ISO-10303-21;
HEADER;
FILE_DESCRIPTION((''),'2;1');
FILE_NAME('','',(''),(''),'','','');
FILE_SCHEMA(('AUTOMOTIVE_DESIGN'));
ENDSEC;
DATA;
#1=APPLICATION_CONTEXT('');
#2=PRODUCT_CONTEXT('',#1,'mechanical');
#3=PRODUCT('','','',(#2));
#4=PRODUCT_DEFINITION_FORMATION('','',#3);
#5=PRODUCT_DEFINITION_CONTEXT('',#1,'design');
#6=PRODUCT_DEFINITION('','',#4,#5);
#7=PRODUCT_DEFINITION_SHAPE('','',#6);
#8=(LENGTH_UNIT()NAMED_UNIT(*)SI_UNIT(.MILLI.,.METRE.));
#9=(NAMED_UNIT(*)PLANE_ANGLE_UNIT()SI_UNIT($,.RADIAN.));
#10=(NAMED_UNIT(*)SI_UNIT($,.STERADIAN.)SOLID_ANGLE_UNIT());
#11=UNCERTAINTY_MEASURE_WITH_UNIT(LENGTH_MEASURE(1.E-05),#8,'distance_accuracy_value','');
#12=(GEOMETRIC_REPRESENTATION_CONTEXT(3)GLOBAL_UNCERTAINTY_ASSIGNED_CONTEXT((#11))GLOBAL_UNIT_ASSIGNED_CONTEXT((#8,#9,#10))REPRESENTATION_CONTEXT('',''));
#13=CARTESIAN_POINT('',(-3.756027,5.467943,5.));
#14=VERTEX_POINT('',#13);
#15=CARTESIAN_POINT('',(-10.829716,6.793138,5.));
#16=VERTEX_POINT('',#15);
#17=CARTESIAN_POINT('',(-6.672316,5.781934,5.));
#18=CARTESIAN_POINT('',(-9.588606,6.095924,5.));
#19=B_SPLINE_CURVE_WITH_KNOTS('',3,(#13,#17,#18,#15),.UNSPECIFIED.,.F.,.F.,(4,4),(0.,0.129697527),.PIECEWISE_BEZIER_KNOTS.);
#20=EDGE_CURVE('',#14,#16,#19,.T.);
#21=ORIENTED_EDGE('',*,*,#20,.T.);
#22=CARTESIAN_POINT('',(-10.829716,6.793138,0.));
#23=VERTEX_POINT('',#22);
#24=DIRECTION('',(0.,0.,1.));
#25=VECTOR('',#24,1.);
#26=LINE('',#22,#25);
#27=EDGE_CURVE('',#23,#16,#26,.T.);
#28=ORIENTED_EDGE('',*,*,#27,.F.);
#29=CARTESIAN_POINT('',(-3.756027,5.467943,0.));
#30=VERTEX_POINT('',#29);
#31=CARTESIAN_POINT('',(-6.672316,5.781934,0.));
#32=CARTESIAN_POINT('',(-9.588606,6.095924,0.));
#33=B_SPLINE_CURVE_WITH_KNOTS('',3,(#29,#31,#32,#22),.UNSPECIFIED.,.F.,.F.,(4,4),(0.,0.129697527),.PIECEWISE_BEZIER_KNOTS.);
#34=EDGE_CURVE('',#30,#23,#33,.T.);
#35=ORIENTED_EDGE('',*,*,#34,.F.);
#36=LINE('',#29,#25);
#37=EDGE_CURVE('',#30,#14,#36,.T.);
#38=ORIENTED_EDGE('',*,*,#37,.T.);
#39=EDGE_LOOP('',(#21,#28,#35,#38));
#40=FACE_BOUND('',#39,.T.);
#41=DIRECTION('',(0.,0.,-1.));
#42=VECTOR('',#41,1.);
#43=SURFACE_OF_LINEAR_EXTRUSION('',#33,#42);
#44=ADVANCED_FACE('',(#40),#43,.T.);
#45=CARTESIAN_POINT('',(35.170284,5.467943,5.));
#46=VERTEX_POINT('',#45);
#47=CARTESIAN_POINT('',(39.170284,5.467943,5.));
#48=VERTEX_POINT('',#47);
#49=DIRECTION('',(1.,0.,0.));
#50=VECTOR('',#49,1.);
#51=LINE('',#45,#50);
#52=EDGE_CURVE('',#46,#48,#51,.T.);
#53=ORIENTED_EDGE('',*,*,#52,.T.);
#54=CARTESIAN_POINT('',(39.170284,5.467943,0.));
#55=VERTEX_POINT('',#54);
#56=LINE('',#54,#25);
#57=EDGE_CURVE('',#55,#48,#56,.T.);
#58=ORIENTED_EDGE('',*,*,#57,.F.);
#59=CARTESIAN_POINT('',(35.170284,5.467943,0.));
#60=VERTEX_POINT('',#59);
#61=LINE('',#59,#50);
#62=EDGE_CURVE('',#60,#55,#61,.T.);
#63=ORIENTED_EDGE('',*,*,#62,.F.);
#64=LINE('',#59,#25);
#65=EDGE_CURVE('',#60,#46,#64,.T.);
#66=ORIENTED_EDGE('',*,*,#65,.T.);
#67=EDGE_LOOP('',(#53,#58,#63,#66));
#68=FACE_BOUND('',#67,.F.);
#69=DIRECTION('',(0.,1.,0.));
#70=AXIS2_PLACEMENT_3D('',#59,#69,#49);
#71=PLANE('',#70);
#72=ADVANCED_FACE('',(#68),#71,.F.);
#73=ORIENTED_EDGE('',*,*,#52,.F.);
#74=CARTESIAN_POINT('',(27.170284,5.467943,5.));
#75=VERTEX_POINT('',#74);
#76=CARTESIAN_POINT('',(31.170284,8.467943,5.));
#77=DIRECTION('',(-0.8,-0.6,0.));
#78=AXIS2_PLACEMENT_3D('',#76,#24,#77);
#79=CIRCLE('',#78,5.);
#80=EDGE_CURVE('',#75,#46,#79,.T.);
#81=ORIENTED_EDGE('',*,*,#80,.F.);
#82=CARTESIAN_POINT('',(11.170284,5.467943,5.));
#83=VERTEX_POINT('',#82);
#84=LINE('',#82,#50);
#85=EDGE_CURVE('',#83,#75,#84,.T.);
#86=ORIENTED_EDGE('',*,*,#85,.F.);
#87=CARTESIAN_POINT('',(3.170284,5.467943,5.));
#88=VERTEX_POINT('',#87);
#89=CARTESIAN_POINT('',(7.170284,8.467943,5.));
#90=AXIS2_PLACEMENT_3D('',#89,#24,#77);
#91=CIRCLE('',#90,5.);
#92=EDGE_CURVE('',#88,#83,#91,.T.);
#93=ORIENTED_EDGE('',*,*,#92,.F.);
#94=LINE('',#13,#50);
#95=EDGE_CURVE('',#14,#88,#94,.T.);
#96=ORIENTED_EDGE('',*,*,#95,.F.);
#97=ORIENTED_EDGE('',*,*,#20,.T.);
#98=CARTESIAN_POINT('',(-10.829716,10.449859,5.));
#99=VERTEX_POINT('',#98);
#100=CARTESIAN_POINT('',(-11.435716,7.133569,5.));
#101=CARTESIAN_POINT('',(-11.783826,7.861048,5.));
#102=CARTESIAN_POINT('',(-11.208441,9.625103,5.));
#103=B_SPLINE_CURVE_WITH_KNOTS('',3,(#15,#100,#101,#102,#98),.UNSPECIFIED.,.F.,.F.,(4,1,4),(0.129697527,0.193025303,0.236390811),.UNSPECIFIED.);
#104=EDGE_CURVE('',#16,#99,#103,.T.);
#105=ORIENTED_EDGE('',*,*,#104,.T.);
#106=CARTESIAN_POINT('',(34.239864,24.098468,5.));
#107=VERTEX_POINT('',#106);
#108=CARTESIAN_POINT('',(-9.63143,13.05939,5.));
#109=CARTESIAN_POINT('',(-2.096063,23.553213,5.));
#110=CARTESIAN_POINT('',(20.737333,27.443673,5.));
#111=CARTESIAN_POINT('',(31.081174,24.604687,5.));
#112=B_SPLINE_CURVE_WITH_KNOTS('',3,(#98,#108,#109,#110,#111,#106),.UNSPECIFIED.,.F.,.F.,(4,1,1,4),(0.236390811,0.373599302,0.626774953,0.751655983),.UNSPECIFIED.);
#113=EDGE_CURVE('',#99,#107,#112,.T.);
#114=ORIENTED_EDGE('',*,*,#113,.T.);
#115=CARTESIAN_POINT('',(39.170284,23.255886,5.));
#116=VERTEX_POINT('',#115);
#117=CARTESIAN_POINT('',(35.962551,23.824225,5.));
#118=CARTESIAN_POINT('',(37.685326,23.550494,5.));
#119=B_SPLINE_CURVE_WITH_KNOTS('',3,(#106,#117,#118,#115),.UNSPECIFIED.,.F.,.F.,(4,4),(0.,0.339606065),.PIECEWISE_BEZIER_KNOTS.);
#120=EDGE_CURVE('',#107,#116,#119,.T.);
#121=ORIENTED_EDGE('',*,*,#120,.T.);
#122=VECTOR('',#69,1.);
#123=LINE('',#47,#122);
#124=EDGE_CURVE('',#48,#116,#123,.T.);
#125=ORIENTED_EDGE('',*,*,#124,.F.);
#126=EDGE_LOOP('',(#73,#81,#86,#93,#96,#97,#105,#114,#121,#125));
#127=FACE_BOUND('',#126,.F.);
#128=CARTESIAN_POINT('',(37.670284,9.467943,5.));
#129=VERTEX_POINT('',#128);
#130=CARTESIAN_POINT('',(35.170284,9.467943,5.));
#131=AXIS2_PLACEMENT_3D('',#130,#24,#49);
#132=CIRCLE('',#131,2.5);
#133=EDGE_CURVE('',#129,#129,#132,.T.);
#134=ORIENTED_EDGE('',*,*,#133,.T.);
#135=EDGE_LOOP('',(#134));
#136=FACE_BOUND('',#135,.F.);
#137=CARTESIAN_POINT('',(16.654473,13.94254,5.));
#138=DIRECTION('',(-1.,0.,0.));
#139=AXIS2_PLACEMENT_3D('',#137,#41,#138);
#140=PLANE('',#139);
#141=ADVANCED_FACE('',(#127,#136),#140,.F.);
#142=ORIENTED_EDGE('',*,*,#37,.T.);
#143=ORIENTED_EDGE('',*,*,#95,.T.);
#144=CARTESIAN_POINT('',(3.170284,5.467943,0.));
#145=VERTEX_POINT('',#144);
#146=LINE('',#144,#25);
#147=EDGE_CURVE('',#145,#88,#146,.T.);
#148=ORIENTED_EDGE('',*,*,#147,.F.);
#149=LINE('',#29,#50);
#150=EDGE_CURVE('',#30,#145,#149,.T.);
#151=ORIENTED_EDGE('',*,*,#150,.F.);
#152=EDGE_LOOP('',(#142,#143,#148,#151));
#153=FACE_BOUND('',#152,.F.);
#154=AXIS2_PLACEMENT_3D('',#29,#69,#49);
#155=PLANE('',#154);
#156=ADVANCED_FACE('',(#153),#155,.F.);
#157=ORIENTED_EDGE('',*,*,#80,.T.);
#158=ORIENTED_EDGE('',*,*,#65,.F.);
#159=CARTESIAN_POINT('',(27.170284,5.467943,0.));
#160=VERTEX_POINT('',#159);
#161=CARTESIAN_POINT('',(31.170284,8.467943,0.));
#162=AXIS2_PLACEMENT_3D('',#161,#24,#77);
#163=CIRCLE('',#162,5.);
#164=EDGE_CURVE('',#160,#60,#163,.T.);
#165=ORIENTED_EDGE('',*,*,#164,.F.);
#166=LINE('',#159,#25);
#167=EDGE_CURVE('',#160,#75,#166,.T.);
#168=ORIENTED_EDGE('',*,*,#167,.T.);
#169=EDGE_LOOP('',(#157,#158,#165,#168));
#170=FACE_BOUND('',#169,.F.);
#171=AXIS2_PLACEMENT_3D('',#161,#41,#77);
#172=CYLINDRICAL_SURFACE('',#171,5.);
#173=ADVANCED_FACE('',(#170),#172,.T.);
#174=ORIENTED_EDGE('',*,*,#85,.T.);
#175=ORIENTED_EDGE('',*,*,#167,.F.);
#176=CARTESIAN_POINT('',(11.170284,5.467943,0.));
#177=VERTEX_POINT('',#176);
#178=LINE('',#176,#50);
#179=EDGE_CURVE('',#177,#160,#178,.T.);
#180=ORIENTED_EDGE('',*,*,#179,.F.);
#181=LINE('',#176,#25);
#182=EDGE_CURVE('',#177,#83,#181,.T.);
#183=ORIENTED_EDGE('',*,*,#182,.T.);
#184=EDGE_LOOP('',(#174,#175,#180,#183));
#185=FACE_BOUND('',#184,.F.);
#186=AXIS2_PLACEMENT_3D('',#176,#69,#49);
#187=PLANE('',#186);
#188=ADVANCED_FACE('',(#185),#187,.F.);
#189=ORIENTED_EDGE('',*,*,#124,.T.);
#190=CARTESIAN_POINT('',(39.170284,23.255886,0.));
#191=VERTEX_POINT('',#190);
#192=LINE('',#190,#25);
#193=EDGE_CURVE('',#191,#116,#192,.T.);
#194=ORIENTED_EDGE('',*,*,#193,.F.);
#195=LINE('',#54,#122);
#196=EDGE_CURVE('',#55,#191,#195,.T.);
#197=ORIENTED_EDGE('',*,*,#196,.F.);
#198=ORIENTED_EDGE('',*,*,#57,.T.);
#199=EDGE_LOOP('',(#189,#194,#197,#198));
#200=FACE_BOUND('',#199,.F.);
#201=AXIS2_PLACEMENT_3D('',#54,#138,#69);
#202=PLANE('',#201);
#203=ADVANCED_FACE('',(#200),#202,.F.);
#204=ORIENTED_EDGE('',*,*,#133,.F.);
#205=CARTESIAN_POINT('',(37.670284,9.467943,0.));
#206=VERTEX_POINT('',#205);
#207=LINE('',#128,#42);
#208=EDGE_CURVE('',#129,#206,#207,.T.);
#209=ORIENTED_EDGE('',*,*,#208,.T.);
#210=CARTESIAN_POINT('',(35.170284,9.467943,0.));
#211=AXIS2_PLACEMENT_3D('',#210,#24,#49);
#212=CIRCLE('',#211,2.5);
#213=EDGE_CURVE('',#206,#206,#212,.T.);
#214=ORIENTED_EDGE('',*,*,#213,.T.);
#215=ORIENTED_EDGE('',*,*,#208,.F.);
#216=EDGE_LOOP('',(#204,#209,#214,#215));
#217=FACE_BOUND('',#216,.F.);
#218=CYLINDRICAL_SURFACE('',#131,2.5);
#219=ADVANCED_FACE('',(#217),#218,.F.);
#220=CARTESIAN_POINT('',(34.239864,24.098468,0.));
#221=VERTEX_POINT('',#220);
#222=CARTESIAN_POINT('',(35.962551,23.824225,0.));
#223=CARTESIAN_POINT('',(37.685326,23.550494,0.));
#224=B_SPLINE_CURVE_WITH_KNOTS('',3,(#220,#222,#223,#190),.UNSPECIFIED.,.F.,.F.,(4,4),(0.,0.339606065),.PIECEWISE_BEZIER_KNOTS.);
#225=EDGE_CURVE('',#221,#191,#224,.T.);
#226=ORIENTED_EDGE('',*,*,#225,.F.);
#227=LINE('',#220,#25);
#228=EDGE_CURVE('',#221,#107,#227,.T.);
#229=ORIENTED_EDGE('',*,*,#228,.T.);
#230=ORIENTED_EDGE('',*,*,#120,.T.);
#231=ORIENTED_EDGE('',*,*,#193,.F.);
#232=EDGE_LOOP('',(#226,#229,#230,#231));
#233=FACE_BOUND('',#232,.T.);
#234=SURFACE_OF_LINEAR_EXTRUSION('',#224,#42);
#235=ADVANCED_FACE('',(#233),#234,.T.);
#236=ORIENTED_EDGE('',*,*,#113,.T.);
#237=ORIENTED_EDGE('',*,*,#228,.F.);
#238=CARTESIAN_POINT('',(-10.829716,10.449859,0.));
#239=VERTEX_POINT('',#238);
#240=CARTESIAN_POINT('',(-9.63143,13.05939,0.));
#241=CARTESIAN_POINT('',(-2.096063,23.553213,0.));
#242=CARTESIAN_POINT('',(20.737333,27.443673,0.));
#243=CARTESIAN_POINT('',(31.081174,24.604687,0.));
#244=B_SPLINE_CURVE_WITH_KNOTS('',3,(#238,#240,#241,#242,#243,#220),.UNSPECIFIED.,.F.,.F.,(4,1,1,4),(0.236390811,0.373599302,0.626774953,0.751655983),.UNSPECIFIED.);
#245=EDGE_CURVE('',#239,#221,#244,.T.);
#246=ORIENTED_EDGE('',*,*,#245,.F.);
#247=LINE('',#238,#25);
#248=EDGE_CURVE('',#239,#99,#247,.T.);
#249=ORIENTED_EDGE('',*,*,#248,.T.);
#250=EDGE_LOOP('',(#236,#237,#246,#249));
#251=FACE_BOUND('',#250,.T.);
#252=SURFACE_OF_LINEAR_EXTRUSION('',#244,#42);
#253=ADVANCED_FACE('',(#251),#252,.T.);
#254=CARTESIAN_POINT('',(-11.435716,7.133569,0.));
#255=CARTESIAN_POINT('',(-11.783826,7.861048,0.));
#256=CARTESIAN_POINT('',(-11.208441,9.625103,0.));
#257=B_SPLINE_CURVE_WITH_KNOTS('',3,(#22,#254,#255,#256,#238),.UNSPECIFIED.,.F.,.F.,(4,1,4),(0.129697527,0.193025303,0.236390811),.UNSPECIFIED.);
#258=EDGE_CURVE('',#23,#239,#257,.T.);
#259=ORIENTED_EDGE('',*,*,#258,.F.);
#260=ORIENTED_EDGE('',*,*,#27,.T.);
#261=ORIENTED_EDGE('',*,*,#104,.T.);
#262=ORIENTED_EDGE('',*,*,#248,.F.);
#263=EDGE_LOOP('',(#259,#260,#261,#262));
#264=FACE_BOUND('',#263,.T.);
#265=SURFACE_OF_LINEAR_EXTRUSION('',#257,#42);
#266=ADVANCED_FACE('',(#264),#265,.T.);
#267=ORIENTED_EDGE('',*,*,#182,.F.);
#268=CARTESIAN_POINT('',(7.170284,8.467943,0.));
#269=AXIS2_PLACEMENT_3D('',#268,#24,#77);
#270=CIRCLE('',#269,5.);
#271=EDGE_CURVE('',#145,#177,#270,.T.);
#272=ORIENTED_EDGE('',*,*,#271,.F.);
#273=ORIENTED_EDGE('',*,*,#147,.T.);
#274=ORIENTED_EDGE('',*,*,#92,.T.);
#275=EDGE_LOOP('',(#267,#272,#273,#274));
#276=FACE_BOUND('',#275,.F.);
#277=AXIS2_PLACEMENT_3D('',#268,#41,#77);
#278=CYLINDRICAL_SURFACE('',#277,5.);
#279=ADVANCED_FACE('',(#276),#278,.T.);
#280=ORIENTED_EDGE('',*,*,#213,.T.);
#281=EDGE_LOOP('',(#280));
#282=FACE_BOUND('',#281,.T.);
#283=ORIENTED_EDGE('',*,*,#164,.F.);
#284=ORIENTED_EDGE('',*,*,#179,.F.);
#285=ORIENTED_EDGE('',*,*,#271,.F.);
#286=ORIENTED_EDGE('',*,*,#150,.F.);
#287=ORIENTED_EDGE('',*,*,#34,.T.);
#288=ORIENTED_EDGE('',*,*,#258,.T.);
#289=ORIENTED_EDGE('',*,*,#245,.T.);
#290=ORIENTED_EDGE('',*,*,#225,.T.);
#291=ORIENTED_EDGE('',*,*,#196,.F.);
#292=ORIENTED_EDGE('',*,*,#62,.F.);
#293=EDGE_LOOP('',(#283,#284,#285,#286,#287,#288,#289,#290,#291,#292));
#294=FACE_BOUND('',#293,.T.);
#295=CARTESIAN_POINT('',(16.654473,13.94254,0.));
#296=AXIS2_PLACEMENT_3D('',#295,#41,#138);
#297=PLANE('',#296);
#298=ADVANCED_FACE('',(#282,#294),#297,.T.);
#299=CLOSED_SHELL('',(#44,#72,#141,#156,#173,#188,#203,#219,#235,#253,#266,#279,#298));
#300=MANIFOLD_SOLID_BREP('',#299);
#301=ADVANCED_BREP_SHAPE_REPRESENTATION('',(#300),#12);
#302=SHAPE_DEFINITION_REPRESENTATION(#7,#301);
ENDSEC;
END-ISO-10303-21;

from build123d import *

# Parameters (mm, degrees)
F1_DEPTH = 5
F2_R     = 2.5
F3_DEPTH = 25


with BuildPart() as f1:
    # F0 (on Top) → F1 (new body)
    with BuildSketch(Plane.XY):
        with BuildLine():
            add(Edge.make_bspline(
                [(-3.7560267425, 5.4679430585), (-6.6723162522, 5.7819335327), (-9.5886057618, 6.0959240068), (-10.8297159947, 6.7931381317)],
                knots=[0, 0, 0, 0, 0.1296975267, 0.1296975267, 0.1296975267, 0.1296975267], degree=3))
            Line((-3.7560267425, 5.4679430585), (3.1702840053, 5.4679430585))
            ThreePointArc((3.1702840053, 5.4679430585), (5.5891451752, 13.2113595488), (12.1702840053, 8.4679430585))
            ThreePointArc((12.1702840053, 8.4679430585), (11.9137004956, 6.8868042284), (11.1702840053, 5.4679430585))
            Line((11.1702840053, 5.4679430585), (27.1702840053, 5.4679430585))
            ThreePointArc((27.1702840053, 5.4679430585), (29.5891451752, 13.2113595488), (36.1702840053, 8.4679430585))
            ThreePointArc((36.1702840053, 8.4679430585), (35.9137004956, 6.8868042284), (35.1702840053, 5.4679430585))
            Line((35.1702840053, 5.4679430585), (39.1702840053, 5.4679430585))
            Line((39.1702840053, 5.4679430585), (39.1702840053, 23.2558858789))
            add(Edge.make_bspline(
                [(34.2398635932, 24.0984679093), (35.9625511425, 23.8242252665), (37.6853259757, 23.5504939342), (39.1702840053, 23.2558858789)],
                knots=[0, 0, 0, 0, 0.3396060645, 0.3396060645, 0.3396060645, 0.3396060645], degree=3))
            add(Edge.make_bspline(
                [(-10.8297159947, 10.4498591763), (-9.6314304154, 13.0593896604), (-2.0960629039, 23.5532126687), (20.7373333416, 27.4436730756), (31.0811743268, 24.6046866842), (34.2398635932, 24.0984679093)],
                knots=[0.2363908115, 0.2363908115, 0.2363908115, 0.2363908115, 0.373599302, 0.6267749526, 0.7516559827, 0.7516559827, 0.7516559827, 0.7516559827], degree=3))
            Line((-10.8297159947, 10.4498591763), (-10.8297159947, 6.7931381317))
        make_face()
        with BuildLine():
            Line((11.1702840053, 5.4679430585), (3.1702840053, 5.4679430585))
            ThreePointArc((3.1702840053, 5.4679430585), (7.1702840053, 3.4679430585), (11.1702840053, 5.4679430585))
        make_face()
        with BuildLine():
            Line((35.1702840053, 5.4679430585), (27.1702840053, 5.4679430585))
            ThreePointArc((27.1702840053, 5.4679430585), (31.1702840053, 3.4679430585), (35.1702840053, 5.4679430585))
        make_face()
        with BuildLine():
            ThreePointArc((36.1702840053, 8.4679430585), (29.5891451752, 13.2113595488), (27.1702840053, 5.4679430585))
            Line((27.1702840053, 5.4679430585), (35.1702840053, 5.4679430585))
            ThreePointArc((35.1702840053, 5.4679430585), (35.9137004956, 6.8868042284), (36.1702840053, 8.4679430585))
        make_face()
        with BuildLine():
            ThreePointArc((12.1702840053, 8.4679430585), (5.5891451752, 13.2113595488), (3.1702840053, 5.4679430585))
            Line((3.1702840053, 5.4679430585), (11.1702840053, 5.4679430585))
            ThreePointArc((11.1702840053, 5.4679430585), (11.9137004956, 6.8868042284), (12.1702840053, 8.4679430585))
        make_face()
        with BuildLine():
            add(Edge.make_bspline(
                [(-10.8297159947, 6.7931381317), (-11.4357163821, 7.1335688352), (-11.7838258876, 7.8610481378), (-11.2084408317, 9.6251025204), (-10.8297159947, 10.4498591763)],
                knots=[0.1296975267, 0.1296975267, 0.1296975267, 0.1296975267, 0.1930253032, 0.2363908115, 0.2363908115, 0.2363908115, 0.2363908115], degree=3))
            Line((-10.8297159947, 6.7931381317), (-10.8297159947, 10.4498591763))
        make_face()
    extrude(amount=F1_DEPTH)

    # F2 (on face) → F3 (cut)
    with BuildSketch(Plane.XY.offset(5)):
        with Locations((35.1702840053, 9.4679430585)):
            Circle(F2_R)
    extrude(amount=-F3_DEPTH, mode=Mode.SUBTRACT)


solid = f1.part
